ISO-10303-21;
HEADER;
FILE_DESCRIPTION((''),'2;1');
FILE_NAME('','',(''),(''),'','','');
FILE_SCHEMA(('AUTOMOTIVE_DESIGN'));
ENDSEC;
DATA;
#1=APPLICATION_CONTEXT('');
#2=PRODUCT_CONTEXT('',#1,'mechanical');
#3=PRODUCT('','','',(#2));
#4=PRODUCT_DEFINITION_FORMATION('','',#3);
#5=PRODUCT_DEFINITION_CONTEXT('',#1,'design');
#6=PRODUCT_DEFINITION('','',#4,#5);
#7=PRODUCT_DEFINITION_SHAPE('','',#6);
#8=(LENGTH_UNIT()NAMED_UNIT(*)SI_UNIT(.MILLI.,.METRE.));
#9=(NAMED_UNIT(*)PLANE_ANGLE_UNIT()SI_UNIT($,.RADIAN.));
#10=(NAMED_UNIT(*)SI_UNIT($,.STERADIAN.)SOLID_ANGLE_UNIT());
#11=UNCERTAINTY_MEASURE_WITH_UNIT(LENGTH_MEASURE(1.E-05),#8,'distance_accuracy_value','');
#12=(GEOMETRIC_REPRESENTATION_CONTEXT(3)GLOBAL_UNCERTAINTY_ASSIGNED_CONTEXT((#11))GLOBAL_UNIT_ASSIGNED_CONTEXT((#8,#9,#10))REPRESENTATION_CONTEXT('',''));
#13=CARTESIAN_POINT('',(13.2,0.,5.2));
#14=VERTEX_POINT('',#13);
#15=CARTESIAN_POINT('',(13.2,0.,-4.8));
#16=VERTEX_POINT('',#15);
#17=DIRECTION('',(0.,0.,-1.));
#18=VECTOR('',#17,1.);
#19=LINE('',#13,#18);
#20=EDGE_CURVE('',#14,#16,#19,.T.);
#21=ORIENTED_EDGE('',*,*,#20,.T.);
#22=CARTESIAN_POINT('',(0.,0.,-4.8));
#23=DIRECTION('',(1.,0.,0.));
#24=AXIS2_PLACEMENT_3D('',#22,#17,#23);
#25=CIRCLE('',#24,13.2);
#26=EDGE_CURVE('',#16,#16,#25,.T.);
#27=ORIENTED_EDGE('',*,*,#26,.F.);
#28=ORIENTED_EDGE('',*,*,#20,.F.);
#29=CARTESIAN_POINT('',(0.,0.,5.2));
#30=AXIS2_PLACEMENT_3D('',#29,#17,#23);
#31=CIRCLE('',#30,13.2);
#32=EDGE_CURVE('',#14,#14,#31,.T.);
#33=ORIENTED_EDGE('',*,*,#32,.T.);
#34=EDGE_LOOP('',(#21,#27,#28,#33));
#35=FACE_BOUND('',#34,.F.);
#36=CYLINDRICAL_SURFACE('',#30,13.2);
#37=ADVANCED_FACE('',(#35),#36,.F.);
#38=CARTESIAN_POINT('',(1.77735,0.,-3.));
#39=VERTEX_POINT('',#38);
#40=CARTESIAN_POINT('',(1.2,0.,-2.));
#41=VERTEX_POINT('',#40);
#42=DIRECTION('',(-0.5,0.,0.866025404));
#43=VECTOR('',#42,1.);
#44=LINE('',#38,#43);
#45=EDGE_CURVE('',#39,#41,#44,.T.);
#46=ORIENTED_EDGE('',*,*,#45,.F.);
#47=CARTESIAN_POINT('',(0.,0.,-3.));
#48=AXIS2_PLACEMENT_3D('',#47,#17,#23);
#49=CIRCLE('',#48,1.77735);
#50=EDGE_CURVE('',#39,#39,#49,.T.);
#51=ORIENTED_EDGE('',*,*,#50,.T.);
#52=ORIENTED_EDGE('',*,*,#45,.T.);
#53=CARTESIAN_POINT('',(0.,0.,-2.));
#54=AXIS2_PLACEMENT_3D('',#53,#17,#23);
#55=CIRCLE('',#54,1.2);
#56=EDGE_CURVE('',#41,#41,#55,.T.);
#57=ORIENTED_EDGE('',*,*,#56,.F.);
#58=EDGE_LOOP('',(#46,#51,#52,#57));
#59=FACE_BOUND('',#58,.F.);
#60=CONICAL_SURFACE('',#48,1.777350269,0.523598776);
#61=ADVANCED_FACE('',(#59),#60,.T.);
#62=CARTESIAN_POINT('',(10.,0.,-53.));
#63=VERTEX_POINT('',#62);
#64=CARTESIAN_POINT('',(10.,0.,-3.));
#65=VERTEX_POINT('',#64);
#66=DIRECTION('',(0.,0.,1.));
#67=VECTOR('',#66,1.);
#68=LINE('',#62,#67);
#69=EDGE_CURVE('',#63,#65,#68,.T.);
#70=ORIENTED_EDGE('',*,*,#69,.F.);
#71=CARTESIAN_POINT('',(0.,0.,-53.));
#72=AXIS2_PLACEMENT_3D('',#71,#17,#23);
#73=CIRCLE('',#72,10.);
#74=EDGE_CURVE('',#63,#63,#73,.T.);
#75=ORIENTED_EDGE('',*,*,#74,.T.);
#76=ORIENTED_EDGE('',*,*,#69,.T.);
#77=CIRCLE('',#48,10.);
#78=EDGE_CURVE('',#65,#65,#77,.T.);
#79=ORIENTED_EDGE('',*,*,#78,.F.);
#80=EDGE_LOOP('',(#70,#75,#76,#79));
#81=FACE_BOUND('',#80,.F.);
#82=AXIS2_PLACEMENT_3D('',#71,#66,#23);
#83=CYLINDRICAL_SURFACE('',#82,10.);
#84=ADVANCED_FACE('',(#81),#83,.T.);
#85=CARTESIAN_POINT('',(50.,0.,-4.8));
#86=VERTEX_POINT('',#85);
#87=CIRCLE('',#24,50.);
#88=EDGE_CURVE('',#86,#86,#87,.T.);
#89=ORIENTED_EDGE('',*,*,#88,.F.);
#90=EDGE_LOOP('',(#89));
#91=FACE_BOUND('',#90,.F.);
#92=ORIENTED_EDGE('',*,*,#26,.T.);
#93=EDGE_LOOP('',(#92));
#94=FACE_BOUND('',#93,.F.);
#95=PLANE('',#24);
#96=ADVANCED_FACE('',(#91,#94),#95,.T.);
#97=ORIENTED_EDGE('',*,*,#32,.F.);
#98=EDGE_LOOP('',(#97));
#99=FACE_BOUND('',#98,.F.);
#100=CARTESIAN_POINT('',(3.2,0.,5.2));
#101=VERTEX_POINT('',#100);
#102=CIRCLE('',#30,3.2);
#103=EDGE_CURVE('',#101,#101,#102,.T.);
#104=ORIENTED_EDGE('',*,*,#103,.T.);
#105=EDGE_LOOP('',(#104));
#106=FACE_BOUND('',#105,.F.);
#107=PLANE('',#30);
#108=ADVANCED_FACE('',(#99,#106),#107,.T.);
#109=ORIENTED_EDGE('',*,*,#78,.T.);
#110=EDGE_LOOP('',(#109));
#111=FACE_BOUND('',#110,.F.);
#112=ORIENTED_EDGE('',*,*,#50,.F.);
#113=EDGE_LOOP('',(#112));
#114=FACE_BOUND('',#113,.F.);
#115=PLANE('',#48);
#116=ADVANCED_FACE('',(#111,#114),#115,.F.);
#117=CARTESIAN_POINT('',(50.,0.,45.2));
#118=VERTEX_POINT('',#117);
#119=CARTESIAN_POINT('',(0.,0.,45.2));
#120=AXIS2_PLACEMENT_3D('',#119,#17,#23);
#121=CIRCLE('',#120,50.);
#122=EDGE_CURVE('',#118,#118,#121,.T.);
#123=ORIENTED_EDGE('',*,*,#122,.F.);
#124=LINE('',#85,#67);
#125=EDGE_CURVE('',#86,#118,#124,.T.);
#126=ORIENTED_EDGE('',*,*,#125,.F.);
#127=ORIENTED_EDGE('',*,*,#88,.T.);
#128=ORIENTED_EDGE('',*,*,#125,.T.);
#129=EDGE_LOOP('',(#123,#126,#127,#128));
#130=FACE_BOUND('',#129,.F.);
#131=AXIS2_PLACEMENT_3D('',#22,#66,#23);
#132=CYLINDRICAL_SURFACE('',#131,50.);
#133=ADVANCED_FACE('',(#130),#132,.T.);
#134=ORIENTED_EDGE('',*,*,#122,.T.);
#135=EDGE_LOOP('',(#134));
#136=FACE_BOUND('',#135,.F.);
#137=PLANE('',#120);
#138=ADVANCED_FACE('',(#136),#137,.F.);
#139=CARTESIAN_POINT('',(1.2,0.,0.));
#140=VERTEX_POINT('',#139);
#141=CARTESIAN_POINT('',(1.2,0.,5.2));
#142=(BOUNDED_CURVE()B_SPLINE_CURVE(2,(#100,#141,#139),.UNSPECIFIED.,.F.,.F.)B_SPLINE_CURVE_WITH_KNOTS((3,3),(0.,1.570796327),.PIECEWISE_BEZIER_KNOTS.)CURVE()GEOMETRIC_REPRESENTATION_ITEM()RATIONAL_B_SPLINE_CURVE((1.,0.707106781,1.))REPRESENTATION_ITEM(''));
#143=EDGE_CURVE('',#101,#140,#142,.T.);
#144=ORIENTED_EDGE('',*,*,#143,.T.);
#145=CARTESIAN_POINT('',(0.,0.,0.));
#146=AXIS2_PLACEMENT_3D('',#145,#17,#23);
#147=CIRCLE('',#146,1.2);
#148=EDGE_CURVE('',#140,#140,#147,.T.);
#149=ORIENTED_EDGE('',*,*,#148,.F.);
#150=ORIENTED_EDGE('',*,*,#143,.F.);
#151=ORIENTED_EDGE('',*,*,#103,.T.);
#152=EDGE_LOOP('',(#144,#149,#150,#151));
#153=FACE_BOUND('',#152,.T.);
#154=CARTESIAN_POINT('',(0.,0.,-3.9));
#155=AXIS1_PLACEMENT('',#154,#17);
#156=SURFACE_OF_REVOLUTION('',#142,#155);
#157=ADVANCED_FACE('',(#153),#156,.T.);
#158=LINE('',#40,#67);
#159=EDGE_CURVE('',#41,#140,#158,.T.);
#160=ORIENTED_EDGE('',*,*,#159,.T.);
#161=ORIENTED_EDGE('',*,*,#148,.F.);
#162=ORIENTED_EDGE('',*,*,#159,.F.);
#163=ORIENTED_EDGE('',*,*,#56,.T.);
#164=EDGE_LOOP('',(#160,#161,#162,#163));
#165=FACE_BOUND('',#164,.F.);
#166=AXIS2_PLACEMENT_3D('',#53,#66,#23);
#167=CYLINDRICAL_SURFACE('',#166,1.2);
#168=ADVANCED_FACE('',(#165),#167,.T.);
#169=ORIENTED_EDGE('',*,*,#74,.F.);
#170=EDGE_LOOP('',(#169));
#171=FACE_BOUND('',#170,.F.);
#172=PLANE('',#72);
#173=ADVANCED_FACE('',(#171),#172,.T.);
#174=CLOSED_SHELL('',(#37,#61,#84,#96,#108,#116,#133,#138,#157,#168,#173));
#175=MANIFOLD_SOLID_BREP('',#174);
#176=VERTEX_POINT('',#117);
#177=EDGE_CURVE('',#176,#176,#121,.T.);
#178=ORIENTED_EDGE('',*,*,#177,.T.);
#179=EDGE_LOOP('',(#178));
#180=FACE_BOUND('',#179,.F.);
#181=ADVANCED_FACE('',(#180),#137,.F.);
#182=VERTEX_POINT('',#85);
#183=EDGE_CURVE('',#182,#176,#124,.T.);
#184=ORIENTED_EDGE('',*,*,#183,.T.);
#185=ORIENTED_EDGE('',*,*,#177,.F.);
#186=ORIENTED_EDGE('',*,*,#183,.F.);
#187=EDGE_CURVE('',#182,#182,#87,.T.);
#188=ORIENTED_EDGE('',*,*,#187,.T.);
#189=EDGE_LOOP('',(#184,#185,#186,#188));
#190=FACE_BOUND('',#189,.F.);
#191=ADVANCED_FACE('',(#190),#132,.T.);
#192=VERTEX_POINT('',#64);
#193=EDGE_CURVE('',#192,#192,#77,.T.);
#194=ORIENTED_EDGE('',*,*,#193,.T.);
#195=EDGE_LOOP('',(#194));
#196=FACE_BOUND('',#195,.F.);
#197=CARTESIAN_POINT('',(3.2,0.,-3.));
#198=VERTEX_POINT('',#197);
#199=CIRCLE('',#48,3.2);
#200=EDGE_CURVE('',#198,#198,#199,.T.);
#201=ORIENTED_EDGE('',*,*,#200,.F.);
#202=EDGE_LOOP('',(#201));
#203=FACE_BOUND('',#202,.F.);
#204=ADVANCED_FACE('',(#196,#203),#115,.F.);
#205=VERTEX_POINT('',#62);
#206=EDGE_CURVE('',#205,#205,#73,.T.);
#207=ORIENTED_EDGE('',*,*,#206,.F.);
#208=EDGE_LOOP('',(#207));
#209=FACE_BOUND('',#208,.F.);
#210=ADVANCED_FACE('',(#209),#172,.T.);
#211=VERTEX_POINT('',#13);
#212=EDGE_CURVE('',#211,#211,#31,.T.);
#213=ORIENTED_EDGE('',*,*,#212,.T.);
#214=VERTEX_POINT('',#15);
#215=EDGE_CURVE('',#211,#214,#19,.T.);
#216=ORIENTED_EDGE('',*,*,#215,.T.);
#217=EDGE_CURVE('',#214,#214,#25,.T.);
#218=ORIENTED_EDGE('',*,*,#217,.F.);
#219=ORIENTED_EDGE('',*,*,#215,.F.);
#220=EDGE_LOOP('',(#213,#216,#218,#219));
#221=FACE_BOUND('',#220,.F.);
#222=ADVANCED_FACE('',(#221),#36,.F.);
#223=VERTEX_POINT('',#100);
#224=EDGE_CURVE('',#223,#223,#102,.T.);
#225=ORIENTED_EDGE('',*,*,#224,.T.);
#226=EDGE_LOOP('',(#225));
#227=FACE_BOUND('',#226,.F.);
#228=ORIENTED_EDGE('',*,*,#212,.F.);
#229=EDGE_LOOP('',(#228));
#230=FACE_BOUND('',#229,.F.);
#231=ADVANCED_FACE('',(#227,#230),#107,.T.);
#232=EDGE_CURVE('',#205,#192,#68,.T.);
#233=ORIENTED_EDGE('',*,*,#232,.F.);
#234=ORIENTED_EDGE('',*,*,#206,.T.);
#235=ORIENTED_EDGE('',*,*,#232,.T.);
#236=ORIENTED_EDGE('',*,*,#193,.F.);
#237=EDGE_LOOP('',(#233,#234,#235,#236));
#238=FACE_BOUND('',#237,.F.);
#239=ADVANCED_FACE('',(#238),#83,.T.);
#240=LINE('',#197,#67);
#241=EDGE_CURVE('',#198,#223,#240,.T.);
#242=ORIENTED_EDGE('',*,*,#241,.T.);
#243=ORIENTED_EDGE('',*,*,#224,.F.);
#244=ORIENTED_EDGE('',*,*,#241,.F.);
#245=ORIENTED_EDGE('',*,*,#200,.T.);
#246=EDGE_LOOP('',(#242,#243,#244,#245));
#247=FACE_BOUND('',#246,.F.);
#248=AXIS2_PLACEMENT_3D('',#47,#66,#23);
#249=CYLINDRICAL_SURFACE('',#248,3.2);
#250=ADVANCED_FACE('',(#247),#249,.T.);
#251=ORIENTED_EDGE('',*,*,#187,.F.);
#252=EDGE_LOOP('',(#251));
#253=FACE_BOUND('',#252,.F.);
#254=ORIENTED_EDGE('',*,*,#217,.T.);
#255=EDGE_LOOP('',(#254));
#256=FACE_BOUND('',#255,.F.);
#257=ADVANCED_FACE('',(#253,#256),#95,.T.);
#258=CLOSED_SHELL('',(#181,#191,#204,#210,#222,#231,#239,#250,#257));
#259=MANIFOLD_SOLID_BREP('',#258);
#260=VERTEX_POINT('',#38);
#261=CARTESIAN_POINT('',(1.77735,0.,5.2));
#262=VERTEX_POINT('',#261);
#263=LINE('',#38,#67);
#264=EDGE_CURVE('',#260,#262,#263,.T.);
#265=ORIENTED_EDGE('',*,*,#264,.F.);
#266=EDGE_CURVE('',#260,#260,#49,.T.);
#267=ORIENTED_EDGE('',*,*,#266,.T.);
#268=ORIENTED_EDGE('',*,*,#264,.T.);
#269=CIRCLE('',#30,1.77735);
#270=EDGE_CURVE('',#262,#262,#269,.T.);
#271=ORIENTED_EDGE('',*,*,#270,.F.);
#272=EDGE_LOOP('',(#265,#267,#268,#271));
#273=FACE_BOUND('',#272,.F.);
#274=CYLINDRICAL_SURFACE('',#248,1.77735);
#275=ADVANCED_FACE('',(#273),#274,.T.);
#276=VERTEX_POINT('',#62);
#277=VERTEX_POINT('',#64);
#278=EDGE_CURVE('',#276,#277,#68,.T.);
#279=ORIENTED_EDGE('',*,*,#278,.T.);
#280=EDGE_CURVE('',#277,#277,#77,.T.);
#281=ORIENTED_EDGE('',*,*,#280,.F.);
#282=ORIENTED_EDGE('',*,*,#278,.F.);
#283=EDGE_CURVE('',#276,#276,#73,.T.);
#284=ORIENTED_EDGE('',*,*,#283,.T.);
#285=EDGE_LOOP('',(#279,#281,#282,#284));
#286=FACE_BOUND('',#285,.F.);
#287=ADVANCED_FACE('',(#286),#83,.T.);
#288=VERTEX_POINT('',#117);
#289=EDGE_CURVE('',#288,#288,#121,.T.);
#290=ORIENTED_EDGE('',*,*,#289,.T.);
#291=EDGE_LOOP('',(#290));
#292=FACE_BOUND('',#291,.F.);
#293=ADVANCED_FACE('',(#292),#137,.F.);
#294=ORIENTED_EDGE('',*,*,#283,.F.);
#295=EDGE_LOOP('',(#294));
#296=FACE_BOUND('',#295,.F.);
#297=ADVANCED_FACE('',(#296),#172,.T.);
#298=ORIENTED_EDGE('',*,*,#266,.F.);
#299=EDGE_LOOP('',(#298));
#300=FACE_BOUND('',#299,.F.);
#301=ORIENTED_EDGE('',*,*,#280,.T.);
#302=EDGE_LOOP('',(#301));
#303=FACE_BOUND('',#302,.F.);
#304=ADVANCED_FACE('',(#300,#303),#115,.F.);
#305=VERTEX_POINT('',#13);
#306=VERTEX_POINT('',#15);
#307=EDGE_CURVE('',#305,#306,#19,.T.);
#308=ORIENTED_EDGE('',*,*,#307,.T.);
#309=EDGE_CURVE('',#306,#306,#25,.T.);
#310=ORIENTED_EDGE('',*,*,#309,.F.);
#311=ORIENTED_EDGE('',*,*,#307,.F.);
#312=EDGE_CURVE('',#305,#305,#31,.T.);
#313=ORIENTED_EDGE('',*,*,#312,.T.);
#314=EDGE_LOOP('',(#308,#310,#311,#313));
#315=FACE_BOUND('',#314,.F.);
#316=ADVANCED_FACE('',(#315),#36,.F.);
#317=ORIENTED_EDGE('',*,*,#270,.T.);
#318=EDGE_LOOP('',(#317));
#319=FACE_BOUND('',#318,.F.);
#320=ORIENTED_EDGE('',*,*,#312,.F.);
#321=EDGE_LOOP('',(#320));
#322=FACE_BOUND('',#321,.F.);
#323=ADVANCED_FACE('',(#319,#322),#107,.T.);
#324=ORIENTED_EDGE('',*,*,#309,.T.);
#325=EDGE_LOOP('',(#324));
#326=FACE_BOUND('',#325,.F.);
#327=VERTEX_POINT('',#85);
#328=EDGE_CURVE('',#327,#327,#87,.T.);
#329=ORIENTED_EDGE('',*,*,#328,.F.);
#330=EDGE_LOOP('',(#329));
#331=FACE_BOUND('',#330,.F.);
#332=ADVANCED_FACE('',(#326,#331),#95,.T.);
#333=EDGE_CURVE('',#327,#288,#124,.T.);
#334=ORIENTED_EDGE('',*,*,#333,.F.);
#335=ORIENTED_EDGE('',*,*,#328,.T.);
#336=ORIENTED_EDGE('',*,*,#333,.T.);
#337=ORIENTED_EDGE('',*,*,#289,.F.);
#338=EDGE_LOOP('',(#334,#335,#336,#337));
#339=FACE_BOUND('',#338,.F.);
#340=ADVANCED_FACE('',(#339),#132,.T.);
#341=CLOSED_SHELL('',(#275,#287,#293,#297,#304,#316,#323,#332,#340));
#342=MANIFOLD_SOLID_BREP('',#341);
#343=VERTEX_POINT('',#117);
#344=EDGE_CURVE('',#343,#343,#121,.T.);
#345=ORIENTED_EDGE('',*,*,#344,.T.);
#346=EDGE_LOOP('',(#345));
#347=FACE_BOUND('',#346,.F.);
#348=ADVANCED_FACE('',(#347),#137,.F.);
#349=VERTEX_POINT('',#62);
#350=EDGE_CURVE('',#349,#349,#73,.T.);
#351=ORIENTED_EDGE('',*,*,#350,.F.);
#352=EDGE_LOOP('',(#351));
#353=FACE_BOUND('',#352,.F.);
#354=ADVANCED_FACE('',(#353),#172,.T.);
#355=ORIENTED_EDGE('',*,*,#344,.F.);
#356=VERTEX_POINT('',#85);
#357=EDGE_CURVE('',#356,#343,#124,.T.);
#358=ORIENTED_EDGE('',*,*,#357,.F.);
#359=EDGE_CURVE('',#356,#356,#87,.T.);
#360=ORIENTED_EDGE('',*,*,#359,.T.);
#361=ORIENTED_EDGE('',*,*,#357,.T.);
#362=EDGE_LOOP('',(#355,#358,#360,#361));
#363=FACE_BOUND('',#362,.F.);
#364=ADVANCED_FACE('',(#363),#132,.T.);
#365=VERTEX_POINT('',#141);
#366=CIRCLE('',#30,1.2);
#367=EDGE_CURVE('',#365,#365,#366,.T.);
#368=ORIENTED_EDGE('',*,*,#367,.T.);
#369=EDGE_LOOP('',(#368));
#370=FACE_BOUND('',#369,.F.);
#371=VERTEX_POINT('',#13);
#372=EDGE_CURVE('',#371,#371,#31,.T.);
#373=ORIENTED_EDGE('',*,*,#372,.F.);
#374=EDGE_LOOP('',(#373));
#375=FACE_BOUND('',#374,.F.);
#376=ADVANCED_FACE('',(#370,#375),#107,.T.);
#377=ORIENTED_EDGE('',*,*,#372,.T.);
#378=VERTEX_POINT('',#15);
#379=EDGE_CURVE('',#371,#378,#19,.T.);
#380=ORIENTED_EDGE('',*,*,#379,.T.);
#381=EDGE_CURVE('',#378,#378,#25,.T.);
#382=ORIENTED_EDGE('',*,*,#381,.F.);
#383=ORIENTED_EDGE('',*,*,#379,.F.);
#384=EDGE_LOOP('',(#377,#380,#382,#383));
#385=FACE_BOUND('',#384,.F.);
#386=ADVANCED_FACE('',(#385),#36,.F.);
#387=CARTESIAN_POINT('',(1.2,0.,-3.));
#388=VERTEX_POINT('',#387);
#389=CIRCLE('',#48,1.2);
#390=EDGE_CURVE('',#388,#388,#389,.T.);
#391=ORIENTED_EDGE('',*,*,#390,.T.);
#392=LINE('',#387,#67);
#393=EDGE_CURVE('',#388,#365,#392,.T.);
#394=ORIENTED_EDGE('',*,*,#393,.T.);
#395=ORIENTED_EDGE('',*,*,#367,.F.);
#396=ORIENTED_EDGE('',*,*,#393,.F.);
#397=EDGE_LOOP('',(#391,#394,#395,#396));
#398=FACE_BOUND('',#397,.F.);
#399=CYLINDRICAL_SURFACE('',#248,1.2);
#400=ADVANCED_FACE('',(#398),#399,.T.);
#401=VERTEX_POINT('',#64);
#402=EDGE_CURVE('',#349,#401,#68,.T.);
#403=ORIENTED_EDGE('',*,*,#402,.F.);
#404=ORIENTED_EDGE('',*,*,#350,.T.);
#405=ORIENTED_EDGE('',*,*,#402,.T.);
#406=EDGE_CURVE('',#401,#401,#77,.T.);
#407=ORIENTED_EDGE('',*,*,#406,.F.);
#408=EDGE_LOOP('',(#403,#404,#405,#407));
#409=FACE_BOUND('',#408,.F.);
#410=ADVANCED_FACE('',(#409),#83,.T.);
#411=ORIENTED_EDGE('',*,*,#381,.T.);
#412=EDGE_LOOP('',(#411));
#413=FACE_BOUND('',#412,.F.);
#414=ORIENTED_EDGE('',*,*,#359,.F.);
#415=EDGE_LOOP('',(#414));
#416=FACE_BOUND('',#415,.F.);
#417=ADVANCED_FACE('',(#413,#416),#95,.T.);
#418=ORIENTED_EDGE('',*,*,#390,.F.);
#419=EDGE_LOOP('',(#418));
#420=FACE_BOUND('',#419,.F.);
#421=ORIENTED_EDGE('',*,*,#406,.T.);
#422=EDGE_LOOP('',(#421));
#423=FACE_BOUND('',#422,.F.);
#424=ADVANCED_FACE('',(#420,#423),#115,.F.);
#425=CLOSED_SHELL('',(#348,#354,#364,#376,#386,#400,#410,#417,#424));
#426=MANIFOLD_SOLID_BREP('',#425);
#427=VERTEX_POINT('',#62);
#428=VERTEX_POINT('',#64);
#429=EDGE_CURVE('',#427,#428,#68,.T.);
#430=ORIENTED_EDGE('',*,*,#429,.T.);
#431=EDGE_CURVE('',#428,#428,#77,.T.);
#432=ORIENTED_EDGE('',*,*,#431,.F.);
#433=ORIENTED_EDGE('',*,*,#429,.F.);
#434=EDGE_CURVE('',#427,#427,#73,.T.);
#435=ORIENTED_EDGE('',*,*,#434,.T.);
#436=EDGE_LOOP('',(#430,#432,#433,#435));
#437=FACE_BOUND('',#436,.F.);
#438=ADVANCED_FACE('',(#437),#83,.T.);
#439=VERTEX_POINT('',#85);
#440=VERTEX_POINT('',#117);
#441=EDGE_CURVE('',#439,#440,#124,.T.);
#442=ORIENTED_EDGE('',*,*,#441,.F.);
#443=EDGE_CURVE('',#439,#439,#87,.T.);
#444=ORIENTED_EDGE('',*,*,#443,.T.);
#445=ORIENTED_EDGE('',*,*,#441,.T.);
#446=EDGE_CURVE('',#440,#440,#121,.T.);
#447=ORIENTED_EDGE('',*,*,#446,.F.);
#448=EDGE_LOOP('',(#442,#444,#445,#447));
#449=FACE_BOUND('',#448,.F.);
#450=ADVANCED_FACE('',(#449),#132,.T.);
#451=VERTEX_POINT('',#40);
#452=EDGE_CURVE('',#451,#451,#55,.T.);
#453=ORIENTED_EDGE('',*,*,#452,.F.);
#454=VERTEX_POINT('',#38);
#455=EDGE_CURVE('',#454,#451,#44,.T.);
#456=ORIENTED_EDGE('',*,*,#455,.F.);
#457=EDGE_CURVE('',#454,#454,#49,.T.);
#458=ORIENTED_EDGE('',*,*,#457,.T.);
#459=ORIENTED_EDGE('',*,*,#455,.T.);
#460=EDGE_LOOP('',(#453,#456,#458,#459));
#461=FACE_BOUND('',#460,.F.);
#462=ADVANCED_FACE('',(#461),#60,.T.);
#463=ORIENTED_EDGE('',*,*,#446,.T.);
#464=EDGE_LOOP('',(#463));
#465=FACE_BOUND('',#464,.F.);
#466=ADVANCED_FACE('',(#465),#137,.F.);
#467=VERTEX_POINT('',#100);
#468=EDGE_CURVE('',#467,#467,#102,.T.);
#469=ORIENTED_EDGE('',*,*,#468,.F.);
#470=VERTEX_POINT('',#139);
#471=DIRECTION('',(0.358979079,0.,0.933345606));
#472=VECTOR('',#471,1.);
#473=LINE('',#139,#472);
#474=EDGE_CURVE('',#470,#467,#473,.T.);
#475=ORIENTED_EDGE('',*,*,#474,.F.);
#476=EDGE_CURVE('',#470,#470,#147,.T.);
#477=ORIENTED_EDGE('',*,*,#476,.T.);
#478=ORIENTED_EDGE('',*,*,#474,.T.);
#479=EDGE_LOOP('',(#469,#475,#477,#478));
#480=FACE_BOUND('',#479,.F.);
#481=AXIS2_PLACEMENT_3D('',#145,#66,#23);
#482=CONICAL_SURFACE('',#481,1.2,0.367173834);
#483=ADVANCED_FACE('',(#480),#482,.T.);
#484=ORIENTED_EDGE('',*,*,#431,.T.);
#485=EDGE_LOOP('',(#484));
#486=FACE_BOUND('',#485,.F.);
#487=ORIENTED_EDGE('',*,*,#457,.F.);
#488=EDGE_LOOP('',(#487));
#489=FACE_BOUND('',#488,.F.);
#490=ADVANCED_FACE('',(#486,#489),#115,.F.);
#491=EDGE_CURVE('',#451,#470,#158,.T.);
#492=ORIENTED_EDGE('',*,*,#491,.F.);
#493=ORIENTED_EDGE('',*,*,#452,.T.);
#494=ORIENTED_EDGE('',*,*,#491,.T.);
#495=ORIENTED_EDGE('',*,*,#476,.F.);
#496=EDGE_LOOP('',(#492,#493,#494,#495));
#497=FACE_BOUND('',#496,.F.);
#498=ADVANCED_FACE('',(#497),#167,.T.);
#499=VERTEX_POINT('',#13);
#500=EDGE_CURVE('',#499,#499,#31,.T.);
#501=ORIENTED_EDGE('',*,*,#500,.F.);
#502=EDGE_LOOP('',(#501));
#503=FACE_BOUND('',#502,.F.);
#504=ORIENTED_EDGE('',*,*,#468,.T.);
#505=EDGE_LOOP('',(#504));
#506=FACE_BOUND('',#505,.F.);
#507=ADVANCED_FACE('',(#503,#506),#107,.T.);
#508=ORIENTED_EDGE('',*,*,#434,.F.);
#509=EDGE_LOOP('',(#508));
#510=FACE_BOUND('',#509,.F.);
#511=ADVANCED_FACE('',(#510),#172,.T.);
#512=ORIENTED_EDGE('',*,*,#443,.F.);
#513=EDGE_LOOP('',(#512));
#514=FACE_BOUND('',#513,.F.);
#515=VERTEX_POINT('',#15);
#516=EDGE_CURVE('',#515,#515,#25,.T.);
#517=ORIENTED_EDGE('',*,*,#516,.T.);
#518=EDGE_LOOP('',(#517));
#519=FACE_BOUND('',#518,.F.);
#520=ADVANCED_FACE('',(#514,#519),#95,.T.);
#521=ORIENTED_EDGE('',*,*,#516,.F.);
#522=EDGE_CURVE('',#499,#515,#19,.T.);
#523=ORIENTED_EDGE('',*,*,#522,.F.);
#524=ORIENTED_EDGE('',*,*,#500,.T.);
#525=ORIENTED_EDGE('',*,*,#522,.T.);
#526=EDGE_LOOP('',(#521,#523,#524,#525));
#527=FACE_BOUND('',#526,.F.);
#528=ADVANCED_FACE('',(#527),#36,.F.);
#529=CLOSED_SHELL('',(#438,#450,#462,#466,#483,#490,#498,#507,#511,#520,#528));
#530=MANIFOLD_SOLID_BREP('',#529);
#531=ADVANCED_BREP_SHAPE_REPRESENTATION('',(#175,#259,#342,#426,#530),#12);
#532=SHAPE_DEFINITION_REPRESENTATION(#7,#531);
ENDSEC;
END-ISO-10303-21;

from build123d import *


with BuildPart() as f1:
    # F0 (on Front) → F1 (revolve)
    with BuildSketch(Plane.XZ):
        with BuildLine():
            add(Edge.make_bspline(
                [(3.2, 5.2), (1.2, 5.2), (1.2, 0)],
                knots=[0, 0, 0, 1.5707963268, 1.5707963268, 1.5707963268], degree=2, weights=[1, 0.7071067812, 1]))
            Line((3.2, 5.2), (13.2, 5.2))
            Line((13.2, 5.2), (13.2, -4.8))
            Line((13.2, -4.8), (50, -4.8))
            Line((50, -4.8), (50, 45.2))
            Line((50, 45.2), (0, 45.2))
            Line((0, 45.2), (0, -53))
            Line((0, -53), (10, -53))
            Line((10, -53), (10, -3))
            Line((10, -3), (1.7773502692, -3))
            Line((1.7773502692, -3), (1.2, -2))
            Line((1.2, -2), (1.2, 0))
        make_face()
    revolve(axis=Axis((0, 0, -3.9), (0, 0, -1)))


with BuildPart() as f3:
    # F2 (on Front) → F3 (revolve)
    with BuildSketch(Plane.XZ):
        Polygon((1.2, 5.2), (3.2, 5.2), (13.2, 5.2), (13.2, -4.8), (50, -4.8), (50, 45.2), (0, 45.2), (0, -53), (10, -53), (10, -3), (1.7773502692, -3), (1.2, -3), (1.2, -2), (1.2, 0), align=None)
    revolve(axis=Axis((0, 0, -3.9), (0, 0, -1)))


with BuildPart() as f5:
    # F4 (on Front) → F5 (revolve)
    with BuildSketch(Plane.XZ):
        Polygon((13.2, 5.2), (13.2, -4.8), (50, -4.8), (50, 45.2), (0, 45.2), (0, -53), (10, -53), (10, -3), (1.7773502692, -3), (1.7773502692, 5.2), align=None)
    revolve(axis=Axis((0, 0, -3.9), (0, 0, -1)))


with BuildPart() as f7:
    # F6 (on Front) → F7 (revolve)
    with BuildSketch(Plane.XZ):
        Polygon((3.2, 5.2), (13.2, 5.2), (13.2, -4.8), (50, -4.8), (50, 45.2), (0, 45.2), (0, -53), (10, -53), (10, -3), (3.2, -3), align=None)
    revolve(axis=Axis((0, 0, -3.9), (0, 0, -1)))


with BuildPart() as f9:
    # F8 (on face) → F9 (revolve)
    with BuildSketch(Plane.XZ):
        Polygon((1.2, 0), (3.2, 5.2), (13.2, 5.2), (13.2, -4.8), (50, -4.8), (50, 45.2), (0, 45.2), (0, -53), (10, -53), (10, -3), (1.7773502692, -3), (1.2, -2), align=None)
    revolve(axis=Axis((0, 0, -3.9), (0, 0, -1)))


solid = Compound([f1.part, f3.part, f5.part, f7.part, f9.part])
